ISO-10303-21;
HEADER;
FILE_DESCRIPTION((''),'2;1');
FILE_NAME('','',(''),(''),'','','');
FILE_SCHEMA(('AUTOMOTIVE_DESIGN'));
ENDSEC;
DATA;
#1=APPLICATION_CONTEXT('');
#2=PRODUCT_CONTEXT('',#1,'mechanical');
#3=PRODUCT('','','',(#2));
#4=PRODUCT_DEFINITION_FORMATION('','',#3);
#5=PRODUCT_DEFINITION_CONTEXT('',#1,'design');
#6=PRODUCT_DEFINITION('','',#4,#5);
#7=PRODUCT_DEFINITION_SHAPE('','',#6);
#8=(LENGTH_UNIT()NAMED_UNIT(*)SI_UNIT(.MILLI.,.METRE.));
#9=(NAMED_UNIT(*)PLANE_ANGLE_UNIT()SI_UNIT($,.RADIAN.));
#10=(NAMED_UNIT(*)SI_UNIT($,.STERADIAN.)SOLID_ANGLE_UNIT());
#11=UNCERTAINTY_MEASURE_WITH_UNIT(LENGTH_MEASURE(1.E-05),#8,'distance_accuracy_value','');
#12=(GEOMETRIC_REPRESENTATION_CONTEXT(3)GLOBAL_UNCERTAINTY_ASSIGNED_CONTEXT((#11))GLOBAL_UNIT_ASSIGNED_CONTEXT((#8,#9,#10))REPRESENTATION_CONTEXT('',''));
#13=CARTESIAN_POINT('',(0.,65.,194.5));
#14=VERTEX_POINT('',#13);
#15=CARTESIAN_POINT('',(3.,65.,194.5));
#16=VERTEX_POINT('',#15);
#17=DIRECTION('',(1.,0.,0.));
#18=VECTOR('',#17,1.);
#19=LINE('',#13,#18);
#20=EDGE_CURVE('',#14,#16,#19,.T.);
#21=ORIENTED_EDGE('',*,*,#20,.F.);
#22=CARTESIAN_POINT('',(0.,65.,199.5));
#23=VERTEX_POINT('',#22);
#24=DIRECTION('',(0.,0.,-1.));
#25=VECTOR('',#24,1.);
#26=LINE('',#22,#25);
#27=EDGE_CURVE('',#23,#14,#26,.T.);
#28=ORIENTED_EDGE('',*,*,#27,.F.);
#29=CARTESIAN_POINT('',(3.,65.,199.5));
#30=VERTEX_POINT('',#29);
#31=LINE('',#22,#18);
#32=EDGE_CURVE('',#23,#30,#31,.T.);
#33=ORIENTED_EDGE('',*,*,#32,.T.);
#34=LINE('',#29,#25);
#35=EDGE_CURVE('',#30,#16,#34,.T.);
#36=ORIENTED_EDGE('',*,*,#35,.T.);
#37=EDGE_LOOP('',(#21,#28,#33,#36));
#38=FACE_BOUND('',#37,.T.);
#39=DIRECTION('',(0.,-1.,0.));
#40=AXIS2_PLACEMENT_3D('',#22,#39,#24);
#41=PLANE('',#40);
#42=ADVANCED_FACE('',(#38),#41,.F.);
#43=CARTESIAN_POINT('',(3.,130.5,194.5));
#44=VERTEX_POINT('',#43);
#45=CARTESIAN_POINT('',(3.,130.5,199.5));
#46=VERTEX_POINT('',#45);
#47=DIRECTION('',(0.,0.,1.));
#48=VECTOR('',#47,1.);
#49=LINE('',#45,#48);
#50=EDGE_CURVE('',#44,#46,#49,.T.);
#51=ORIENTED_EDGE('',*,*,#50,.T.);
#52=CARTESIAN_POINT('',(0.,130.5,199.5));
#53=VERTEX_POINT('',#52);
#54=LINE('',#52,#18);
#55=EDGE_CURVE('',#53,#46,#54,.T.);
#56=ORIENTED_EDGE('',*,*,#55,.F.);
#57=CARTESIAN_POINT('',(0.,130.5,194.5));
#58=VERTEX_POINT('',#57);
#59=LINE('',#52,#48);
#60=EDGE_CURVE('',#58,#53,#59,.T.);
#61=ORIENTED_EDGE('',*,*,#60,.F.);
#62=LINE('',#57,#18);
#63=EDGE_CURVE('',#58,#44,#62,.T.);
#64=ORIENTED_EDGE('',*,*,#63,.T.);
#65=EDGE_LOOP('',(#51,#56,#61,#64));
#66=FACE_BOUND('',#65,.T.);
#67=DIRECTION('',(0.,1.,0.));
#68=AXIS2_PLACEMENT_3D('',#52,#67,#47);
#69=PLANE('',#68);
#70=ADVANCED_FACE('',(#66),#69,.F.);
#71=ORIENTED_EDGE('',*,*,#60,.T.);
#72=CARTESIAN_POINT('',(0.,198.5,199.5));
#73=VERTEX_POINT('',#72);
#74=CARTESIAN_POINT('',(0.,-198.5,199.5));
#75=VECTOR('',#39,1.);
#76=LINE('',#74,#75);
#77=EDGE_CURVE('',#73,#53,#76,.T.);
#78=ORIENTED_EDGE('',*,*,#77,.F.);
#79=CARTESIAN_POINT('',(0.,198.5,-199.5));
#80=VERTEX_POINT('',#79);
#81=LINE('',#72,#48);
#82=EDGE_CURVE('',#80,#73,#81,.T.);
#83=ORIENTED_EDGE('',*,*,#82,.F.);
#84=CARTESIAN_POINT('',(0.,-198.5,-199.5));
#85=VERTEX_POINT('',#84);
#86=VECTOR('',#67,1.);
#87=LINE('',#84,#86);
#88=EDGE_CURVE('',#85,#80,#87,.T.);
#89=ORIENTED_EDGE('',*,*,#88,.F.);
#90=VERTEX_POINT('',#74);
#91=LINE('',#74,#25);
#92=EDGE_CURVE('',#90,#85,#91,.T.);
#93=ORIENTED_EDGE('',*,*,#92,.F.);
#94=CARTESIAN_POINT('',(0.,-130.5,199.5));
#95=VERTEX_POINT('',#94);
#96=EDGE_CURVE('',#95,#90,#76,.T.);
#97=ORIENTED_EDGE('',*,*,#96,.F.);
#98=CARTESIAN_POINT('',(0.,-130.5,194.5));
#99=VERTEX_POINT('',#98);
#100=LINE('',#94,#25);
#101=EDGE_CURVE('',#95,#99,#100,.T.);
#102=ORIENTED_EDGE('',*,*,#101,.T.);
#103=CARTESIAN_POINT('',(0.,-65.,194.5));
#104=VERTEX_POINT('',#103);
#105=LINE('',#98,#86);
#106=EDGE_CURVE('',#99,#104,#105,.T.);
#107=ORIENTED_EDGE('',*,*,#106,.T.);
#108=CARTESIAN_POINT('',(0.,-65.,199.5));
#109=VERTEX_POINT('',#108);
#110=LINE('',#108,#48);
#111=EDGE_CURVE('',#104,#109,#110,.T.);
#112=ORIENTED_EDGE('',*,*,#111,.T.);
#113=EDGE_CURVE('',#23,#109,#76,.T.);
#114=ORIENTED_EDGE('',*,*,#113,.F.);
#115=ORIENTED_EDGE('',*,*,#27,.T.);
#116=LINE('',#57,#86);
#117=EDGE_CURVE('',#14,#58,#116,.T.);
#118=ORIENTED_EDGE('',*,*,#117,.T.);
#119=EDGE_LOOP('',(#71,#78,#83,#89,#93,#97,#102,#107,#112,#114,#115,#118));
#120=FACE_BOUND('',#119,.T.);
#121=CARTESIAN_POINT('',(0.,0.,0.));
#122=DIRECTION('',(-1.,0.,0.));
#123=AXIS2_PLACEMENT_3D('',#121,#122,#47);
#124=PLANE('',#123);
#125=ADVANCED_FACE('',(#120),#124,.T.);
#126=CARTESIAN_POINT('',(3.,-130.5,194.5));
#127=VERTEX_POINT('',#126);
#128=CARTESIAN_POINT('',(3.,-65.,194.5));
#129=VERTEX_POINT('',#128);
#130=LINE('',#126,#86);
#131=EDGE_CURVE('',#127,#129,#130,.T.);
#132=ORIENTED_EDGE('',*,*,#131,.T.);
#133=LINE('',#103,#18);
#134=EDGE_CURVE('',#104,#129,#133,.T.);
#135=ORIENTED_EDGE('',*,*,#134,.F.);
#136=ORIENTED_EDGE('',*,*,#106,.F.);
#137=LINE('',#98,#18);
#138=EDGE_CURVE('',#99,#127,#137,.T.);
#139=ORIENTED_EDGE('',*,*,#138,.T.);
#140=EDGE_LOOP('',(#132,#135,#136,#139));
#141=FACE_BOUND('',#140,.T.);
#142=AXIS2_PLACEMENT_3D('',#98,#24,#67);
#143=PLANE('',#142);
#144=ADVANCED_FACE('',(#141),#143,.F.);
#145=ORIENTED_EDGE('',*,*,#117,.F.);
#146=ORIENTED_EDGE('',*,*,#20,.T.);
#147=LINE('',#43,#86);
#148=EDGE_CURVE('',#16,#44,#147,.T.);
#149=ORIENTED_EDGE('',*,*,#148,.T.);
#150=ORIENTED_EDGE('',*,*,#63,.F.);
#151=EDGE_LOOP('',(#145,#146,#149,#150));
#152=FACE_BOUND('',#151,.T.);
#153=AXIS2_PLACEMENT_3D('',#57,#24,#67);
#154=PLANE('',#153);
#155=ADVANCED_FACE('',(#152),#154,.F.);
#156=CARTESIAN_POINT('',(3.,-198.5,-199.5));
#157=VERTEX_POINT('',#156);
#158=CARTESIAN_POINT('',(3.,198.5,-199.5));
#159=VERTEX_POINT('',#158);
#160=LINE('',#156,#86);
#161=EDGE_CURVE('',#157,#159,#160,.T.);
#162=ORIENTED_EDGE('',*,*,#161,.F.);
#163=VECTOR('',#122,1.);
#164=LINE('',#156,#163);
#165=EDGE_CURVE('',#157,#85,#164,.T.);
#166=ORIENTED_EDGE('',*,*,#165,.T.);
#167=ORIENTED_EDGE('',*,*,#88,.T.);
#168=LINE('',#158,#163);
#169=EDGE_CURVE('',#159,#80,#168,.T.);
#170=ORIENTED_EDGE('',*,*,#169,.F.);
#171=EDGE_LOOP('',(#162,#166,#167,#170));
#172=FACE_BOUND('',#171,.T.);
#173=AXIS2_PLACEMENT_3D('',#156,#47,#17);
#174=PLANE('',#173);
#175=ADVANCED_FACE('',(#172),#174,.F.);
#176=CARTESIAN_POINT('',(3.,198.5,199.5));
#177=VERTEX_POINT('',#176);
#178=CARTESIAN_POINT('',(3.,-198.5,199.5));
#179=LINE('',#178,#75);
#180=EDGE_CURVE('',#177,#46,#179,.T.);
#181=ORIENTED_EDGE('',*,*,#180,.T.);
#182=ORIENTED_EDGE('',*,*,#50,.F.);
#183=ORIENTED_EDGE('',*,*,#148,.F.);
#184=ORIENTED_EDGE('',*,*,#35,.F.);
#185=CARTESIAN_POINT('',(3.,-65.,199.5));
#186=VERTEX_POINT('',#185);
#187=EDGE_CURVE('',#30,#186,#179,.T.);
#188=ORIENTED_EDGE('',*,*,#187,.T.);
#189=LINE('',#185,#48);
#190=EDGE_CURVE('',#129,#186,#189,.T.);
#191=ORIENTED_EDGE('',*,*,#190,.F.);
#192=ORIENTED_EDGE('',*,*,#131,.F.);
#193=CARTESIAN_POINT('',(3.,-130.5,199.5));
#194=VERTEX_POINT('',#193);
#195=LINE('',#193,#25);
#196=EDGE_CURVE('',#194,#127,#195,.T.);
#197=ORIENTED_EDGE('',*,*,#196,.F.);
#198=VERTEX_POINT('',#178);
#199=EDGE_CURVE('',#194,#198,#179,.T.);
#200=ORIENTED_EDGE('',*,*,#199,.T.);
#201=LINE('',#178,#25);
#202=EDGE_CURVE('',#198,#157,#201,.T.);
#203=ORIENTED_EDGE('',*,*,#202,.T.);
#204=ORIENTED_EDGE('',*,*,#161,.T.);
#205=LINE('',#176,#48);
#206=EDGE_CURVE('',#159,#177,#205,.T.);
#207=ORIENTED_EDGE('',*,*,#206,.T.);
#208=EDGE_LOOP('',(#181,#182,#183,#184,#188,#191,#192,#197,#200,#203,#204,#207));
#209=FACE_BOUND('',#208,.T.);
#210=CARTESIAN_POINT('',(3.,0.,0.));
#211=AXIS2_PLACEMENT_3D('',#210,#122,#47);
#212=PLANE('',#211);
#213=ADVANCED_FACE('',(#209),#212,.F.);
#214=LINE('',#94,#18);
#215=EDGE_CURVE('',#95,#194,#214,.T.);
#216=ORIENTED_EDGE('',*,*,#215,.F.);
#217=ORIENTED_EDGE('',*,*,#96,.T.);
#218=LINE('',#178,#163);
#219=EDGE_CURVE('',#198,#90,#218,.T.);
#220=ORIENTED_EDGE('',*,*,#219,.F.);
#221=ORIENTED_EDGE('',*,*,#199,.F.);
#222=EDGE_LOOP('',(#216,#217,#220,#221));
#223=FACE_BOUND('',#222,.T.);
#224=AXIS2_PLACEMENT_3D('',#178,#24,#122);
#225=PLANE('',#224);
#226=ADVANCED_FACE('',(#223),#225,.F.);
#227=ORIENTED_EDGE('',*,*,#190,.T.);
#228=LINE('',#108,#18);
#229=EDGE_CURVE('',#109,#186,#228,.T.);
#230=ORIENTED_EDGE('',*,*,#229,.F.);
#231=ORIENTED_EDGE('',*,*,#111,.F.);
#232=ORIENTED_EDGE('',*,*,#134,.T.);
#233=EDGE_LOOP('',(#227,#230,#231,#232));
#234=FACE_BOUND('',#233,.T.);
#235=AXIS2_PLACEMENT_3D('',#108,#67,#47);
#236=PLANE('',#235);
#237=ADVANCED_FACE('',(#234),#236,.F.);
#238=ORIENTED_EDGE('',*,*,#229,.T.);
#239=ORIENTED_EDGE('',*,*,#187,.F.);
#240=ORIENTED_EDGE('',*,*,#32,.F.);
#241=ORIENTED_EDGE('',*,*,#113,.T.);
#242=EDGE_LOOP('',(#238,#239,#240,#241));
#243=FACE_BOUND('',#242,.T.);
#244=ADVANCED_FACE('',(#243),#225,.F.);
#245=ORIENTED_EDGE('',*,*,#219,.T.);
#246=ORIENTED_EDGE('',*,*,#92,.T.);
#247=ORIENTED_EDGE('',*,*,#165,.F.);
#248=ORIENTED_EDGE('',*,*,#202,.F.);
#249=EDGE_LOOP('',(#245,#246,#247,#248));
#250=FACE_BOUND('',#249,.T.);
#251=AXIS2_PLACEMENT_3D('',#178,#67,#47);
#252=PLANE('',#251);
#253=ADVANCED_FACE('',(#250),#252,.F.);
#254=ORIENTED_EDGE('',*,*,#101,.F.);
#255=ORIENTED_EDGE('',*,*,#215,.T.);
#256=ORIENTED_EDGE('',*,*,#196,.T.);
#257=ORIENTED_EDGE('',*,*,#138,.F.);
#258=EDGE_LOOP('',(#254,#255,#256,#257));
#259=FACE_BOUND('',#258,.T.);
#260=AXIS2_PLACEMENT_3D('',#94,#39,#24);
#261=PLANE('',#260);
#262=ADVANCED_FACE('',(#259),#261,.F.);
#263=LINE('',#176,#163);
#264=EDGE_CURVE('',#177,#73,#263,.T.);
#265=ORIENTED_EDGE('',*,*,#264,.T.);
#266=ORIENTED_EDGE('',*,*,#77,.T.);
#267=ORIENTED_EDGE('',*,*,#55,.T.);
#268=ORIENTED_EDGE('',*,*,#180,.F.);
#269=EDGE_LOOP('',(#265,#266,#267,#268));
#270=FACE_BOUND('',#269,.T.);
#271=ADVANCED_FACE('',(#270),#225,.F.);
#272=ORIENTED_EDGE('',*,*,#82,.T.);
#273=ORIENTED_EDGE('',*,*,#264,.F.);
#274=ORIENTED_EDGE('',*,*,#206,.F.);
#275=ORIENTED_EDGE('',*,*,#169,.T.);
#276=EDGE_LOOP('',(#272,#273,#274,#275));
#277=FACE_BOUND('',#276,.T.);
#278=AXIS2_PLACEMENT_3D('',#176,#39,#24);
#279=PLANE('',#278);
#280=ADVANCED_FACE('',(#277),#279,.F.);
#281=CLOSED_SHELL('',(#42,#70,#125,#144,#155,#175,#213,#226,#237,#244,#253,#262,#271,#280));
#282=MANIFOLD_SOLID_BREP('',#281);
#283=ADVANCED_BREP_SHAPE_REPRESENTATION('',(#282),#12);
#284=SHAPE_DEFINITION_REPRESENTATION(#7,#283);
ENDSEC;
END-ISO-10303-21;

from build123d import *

# Parameters (mm, degrees)
SKETCH_1_W          = 399
SKETCH_1_H          = 397
EXTRUDE_1_DEPTH     = 3
SKETCH_2_W          = 5
SKETCH_2_H          = 65.5
CUT_EXTRUDE_1_DEPTH = 3


with BuildPart() as part:
    # 草圖1 → 填料-伸長1 (new body)
    with BuildSketch(Plane(origin=(0, 0, 0), x_dir=(0, 0, -1), z_dir=(1, 0, 0))):
        Rectangle(SKETCH_1_W, SKETCH_1_H)
    extrude(amount=EXTRUDE_1_DEPTH)

    # 草圖2 → 除料-伸長1 (cut)
    with BuildSketch(Plane(origin=(3, 0, 0), x_dir=(0, 0, -1), z_dir=(1, 0, 0))):
        with Locations((-197, 97.75)):
            Rectangle(SKETCH_2_W, SKETCH_2_H)
        with Locations((-197, -97.75)):
            Rectangle(SKETCH_2_W, SKETCH_2_H)
    extrude(amount=-CUT_EXTRUDE_1_DEPTH, mode=Mode.SUBTRACT)


solid = part.part
